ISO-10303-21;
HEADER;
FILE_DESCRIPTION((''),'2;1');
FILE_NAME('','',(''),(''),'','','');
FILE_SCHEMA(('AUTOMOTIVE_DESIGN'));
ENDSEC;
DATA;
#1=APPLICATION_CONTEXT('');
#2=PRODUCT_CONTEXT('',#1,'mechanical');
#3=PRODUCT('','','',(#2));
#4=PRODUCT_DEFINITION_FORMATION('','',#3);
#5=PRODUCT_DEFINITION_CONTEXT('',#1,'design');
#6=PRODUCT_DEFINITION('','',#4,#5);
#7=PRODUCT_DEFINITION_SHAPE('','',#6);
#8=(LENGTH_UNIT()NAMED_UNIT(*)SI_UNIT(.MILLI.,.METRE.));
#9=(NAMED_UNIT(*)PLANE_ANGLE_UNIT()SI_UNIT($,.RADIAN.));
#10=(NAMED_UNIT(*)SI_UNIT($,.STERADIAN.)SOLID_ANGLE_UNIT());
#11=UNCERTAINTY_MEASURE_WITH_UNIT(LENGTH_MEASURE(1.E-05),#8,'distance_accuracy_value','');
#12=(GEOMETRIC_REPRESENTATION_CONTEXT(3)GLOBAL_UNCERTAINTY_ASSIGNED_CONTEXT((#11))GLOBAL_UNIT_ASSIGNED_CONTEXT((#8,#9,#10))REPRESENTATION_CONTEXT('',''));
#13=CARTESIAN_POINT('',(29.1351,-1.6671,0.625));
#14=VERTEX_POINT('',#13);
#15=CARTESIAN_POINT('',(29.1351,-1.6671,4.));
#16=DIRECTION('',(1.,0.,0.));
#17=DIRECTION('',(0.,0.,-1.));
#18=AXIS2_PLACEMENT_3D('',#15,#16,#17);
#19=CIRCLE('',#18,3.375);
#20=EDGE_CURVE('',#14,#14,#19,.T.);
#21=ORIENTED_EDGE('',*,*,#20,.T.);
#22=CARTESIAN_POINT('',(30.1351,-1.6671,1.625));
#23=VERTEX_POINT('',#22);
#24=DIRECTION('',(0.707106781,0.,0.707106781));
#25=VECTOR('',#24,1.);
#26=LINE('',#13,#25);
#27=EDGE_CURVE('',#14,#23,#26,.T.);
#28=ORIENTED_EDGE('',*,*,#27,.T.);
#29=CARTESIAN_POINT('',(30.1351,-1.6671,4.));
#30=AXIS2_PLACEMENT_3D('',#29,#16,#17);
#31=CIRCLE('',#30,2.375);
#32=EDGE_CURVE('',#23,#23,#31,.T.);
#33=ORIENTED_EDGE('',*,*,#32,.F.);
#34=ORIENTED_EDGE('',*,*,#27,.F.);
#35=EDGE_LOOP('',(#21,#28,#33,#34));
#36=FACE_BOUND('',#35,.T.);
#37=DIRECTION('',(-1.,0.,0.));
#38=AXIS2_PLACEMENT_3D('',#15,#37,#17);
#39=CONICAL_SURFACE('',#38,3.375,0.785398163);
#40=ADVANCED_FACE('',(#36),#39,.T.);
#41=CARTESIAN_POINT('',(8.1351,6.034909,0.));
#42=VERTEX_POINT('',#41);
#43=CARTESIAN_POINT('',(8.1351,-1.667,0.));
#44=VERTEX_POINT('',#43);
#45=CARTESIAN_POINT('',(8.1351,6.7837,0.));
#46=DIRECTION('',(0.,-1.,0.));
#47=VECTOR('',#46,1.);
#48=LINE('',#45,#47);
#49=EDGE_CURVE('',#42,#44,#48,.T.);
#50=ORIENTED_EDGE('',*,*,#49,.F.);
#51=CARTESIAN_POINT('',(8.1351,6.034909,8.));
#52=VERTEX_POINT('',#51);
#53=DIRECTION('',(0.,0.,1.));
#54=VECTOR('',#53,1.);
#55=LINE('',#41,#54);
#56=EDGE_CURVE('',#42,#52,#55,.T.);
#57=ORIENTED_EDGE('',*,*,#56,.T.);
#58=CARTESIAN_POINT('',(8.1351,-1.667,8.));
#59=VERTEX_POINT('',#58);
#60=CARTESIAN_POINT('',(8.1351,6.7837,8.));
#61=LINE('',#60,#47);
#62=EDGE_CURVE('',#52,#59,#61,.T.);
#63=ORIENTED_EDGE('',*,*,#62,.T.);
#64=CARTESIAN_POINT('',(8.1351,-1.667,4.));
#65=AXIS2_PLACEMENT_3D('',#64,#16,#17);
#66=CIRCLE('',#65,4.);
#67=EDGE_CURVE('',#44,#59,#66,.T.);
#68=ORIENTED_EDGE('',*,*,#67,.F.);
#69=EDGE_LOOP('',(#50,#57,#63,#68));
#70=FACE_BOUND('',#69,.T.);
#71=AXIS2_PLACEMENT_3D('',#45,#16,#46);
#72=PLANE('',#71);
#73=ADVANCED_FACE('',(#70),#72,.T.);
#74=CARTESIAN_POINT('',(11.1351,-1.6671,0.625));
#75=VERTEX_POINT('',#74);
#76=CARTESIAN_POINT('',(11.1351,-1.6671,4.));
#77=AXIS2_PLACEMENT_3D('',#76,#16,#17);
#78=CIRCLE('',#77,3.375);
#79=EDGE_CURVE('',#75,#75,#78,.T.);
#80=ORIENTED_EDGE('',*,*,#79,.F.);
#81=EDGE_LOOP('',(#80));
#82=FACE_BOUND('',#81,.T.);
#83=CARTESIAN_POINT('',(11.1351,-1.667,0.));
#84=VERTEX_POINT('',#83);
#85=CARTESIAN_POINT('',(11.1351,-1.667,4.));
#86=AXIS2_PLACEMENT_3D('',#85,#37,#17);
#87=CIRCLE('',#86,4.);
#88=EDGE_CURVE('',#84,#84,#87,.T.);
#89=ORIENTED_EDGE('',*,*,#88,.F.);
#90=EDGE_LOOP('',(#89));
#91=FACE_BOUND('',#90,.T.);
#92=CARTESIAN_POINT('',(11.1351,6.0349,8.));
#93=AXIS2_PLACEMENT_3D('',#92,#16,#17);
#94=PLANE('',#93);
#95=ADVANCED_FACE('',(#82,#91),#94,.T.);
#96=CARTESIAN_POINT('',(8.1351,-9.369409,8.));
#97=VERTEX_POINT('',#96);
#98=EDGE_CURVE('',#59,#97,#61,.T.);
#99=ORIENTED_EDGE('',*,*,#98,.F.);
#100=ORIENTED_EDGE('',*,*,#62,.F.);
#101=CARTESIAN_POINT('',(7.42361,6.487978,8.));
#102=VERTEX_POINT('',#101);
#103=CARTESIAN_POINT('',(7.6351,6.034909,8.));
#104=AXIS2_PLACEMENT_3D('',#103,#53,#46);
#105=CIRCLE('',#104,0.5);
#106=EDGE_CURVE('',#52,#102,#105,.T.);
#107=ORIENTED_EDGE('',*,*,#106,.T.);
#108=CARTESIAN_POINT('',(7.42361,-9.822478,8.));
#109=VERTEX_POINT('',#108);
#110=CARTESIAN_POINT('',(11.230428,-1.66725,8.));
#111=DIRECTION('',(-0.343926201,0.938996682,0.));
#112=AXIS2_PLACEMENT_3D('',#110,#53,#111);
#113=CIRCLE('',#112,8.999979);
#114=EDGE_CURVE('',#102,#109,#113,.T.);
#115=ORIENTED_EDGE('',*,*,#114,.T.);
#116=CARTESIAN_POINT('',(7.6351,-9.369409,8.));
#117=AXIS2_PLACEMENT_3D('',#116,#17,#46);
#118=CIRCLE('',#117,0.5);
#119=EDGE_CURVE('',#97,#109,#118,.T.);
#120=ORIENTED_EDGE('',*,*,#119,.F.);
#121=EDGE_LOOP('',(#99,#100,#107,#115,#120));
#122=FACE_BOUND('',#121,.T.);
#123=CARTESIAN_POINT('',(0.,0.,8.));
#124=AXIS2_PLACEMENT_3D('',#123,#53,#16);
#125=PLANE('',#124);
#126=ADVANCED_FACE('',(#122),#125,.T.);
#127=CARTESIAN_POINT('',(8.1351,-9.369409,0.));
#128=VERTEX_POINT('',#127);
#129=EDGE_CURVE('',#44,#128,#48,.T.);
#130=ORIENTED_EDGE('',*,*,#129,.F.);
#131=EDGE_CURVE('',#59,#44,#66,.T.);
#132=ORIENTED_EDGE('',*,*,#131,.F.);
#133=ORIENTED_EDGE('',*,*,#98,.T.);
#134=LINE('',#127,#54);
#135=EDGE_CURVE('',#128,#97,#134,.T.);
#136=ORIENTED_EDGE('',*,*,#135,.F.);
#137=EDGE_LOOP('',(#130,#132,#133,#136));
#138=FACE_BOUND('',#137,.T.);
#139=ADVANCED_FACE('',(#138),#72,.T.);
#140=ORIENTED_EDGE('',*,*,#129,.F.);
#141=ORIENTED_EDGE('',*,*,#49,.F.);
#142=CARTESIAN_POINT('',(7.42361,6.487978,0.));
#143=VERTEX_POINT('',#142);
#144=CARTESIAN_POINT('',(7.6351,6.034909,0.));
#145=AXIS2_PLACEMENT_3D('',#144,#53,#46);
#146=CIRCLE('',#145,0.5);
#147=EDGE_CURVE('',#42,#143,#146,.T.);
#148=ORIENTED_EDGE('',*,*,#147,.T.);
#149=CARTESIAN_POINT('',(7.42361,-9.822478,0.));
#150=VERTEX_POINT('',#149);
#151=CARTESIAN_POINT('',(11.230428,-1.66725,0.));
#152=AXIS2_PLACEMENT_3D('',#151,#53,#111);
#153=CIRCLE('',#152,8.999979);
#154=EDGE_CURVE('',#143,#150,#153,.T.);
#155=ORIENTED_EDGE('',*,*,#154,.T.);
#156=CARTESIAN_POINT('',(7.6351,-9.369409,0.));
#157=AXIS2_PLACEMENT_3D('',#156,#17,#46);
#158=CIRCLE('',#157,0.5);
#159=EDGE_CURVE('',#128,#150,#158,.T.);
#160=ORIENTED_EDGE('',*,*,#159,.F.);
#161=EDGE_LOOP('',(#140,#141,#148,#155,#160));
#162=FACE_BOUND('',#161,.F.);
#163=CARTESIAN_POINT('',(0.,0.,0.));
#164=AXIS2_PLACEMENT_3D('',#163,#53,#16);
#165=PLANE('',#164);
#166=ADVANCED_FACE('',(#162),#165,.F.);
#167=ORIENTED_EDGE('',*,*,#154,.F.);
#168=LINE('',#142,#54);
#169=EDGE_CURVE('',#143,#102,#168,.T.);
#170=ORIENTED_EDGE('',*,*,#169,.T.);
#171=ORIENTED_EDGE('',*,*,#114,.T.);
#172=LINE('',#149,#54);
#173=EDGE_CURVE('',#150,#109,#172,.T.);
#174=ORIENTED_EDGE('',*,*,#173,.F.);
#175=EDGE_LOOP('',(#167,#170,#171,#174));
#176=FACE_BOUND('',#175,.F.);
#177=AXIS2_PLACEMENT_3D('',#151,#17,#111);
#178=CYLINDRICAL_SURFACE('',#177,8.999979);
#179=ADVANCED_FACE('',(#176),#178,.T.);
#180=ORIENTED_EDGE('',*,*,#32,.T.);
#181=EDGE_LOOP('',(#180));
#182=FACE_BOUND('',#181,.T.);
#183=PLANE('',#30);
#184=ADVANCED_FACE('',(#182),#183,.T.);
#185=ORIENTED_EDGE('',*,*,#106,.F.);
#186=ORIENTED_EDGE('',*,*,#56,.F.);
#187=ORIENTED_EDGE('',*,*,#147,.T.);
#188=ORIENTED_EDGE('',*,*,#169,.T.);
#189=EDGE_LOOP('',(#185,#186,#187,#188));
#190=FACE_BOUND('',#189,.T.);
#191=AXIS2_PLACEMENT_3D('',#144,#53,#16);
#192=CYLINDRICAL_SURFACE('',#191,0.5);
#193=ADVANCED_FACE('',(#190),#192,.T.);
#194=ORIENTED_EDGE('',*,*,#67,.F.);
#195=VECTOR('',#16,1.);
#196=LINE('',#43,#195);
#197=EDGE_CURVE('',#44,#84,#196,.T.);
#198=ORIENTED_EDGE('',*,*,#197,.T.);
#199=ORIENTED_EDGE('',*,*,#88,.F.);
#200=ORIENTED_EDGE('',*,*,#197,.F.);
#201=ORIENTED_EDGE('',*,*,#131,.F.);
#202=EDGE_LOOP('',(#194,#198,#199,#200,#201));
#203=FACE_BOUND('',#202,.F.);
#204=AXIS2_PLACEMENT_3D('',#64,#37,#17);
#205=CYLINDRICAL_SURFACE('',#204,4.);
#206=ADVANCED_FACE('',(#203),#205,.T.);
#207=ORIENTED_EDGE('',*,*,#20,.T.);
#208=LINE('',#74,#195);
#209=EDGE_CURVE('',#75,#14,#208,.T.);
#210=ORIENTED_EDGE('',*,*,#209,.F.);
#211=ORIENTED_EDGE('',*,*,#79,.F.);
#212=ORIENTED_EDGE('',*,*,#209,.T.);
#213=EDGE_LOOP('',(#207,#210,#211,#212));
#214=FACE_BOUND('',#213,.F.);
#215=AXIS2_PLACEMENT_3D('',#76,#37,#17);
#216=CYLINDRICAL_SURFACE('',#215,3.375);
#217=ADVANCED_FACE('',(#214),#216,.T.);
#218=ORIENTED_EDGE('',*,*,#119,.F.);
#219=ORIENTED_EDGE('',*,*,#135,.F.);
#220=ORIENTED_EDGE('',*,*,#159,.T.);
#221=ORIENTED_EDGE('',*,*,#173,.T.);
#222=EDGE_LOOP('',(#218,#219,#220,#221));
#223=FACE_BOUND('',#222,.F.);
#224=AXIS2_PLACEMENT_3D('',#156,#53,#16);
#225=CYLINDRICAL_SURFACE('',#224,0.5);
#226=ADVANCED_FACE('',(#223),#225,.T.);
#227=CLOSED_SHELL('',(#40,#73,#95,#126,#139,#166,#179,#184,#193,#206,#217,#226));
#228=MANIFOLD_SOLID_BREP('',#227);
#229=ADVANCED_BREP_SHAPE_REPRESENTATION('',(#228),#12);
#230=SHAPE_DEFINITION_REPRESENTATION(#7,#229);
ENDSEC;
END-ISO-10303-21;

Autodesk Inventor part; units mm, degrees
ref_plane "YZ Plane" through (0, 0, 0) normal (1, 0, 0) x (0, 1, 0)
ref_plane "XZ Plane" through (0, 0, 0) normal (0, 1, 0) x (-1, 0, 0)
ref_plane "XY Plane" through (0, 0, 0) normal (0, 0, 1) x (1, 0, 0)
sketch "Boceto1" plane through (0, 0, 0) normal (0, 0, 1) x (1, 0, 0)
  arc A0 (8.1351, 6.7837) -> (8.1351, -10.1182) centre (11.2305, -1.6673) ccw
  line L0 (8.1351, 6.7837) -> (8.1351, -10.1182)
  point P0 (0, 0)
  dimension "d2" = 18
extrude "Extrusión1" add sketch "Boceto1" along normal blind 8
fillet "Empalme3" radius 0.5 1 edges at (8.1351, 6.7837, 4)
fillet "Empalme4" radius 0.5 1 edges at (8.1351, -10.1182, 4)
sketch "Boceto4" plane through (8.1351, 6.0349, 8) normal (1, 0, 0) x (0, 0, -1)
  line L0 (8, 0.4531) -> (0, 0.4531) projected
  line L1 (4, 0.4531) -> (4, -7.7019)
  line L2 (0, -15.8574) -> (8, -15.8574) projected
  circle A0 centre (4, -7.7019) radius 4
  point P0 (8, -6.0349)
  dimension "d29" = 8.155
  dimension "d30" = 8
extrude "Extrusión4" add sketch "Boceto4" along normal blind 3
sketch "Boceto5" plane through (11.1351, -1.6671, 4) normal (1, 0, 0) x (0, 0, -1)
  circle A0 centre (0, 0) radius 3.375
  point P0 (4, 1.6671)
  dimension "d33" = 6.75
extrude "Extrusión5" add sketch "Boceto5" along normal blind 19
chamfer "Chaflán2" distance 1 angle 45 1 edges at (30.1351, -1.6671, 7.375)
sketch "Boceto6" plane through (0, 0, 8) normal (0, 0, 1) x (1, 0, 0)
  point P0 (0, 0)
properties part number "Tornillo" material "Acero inoxidable"
